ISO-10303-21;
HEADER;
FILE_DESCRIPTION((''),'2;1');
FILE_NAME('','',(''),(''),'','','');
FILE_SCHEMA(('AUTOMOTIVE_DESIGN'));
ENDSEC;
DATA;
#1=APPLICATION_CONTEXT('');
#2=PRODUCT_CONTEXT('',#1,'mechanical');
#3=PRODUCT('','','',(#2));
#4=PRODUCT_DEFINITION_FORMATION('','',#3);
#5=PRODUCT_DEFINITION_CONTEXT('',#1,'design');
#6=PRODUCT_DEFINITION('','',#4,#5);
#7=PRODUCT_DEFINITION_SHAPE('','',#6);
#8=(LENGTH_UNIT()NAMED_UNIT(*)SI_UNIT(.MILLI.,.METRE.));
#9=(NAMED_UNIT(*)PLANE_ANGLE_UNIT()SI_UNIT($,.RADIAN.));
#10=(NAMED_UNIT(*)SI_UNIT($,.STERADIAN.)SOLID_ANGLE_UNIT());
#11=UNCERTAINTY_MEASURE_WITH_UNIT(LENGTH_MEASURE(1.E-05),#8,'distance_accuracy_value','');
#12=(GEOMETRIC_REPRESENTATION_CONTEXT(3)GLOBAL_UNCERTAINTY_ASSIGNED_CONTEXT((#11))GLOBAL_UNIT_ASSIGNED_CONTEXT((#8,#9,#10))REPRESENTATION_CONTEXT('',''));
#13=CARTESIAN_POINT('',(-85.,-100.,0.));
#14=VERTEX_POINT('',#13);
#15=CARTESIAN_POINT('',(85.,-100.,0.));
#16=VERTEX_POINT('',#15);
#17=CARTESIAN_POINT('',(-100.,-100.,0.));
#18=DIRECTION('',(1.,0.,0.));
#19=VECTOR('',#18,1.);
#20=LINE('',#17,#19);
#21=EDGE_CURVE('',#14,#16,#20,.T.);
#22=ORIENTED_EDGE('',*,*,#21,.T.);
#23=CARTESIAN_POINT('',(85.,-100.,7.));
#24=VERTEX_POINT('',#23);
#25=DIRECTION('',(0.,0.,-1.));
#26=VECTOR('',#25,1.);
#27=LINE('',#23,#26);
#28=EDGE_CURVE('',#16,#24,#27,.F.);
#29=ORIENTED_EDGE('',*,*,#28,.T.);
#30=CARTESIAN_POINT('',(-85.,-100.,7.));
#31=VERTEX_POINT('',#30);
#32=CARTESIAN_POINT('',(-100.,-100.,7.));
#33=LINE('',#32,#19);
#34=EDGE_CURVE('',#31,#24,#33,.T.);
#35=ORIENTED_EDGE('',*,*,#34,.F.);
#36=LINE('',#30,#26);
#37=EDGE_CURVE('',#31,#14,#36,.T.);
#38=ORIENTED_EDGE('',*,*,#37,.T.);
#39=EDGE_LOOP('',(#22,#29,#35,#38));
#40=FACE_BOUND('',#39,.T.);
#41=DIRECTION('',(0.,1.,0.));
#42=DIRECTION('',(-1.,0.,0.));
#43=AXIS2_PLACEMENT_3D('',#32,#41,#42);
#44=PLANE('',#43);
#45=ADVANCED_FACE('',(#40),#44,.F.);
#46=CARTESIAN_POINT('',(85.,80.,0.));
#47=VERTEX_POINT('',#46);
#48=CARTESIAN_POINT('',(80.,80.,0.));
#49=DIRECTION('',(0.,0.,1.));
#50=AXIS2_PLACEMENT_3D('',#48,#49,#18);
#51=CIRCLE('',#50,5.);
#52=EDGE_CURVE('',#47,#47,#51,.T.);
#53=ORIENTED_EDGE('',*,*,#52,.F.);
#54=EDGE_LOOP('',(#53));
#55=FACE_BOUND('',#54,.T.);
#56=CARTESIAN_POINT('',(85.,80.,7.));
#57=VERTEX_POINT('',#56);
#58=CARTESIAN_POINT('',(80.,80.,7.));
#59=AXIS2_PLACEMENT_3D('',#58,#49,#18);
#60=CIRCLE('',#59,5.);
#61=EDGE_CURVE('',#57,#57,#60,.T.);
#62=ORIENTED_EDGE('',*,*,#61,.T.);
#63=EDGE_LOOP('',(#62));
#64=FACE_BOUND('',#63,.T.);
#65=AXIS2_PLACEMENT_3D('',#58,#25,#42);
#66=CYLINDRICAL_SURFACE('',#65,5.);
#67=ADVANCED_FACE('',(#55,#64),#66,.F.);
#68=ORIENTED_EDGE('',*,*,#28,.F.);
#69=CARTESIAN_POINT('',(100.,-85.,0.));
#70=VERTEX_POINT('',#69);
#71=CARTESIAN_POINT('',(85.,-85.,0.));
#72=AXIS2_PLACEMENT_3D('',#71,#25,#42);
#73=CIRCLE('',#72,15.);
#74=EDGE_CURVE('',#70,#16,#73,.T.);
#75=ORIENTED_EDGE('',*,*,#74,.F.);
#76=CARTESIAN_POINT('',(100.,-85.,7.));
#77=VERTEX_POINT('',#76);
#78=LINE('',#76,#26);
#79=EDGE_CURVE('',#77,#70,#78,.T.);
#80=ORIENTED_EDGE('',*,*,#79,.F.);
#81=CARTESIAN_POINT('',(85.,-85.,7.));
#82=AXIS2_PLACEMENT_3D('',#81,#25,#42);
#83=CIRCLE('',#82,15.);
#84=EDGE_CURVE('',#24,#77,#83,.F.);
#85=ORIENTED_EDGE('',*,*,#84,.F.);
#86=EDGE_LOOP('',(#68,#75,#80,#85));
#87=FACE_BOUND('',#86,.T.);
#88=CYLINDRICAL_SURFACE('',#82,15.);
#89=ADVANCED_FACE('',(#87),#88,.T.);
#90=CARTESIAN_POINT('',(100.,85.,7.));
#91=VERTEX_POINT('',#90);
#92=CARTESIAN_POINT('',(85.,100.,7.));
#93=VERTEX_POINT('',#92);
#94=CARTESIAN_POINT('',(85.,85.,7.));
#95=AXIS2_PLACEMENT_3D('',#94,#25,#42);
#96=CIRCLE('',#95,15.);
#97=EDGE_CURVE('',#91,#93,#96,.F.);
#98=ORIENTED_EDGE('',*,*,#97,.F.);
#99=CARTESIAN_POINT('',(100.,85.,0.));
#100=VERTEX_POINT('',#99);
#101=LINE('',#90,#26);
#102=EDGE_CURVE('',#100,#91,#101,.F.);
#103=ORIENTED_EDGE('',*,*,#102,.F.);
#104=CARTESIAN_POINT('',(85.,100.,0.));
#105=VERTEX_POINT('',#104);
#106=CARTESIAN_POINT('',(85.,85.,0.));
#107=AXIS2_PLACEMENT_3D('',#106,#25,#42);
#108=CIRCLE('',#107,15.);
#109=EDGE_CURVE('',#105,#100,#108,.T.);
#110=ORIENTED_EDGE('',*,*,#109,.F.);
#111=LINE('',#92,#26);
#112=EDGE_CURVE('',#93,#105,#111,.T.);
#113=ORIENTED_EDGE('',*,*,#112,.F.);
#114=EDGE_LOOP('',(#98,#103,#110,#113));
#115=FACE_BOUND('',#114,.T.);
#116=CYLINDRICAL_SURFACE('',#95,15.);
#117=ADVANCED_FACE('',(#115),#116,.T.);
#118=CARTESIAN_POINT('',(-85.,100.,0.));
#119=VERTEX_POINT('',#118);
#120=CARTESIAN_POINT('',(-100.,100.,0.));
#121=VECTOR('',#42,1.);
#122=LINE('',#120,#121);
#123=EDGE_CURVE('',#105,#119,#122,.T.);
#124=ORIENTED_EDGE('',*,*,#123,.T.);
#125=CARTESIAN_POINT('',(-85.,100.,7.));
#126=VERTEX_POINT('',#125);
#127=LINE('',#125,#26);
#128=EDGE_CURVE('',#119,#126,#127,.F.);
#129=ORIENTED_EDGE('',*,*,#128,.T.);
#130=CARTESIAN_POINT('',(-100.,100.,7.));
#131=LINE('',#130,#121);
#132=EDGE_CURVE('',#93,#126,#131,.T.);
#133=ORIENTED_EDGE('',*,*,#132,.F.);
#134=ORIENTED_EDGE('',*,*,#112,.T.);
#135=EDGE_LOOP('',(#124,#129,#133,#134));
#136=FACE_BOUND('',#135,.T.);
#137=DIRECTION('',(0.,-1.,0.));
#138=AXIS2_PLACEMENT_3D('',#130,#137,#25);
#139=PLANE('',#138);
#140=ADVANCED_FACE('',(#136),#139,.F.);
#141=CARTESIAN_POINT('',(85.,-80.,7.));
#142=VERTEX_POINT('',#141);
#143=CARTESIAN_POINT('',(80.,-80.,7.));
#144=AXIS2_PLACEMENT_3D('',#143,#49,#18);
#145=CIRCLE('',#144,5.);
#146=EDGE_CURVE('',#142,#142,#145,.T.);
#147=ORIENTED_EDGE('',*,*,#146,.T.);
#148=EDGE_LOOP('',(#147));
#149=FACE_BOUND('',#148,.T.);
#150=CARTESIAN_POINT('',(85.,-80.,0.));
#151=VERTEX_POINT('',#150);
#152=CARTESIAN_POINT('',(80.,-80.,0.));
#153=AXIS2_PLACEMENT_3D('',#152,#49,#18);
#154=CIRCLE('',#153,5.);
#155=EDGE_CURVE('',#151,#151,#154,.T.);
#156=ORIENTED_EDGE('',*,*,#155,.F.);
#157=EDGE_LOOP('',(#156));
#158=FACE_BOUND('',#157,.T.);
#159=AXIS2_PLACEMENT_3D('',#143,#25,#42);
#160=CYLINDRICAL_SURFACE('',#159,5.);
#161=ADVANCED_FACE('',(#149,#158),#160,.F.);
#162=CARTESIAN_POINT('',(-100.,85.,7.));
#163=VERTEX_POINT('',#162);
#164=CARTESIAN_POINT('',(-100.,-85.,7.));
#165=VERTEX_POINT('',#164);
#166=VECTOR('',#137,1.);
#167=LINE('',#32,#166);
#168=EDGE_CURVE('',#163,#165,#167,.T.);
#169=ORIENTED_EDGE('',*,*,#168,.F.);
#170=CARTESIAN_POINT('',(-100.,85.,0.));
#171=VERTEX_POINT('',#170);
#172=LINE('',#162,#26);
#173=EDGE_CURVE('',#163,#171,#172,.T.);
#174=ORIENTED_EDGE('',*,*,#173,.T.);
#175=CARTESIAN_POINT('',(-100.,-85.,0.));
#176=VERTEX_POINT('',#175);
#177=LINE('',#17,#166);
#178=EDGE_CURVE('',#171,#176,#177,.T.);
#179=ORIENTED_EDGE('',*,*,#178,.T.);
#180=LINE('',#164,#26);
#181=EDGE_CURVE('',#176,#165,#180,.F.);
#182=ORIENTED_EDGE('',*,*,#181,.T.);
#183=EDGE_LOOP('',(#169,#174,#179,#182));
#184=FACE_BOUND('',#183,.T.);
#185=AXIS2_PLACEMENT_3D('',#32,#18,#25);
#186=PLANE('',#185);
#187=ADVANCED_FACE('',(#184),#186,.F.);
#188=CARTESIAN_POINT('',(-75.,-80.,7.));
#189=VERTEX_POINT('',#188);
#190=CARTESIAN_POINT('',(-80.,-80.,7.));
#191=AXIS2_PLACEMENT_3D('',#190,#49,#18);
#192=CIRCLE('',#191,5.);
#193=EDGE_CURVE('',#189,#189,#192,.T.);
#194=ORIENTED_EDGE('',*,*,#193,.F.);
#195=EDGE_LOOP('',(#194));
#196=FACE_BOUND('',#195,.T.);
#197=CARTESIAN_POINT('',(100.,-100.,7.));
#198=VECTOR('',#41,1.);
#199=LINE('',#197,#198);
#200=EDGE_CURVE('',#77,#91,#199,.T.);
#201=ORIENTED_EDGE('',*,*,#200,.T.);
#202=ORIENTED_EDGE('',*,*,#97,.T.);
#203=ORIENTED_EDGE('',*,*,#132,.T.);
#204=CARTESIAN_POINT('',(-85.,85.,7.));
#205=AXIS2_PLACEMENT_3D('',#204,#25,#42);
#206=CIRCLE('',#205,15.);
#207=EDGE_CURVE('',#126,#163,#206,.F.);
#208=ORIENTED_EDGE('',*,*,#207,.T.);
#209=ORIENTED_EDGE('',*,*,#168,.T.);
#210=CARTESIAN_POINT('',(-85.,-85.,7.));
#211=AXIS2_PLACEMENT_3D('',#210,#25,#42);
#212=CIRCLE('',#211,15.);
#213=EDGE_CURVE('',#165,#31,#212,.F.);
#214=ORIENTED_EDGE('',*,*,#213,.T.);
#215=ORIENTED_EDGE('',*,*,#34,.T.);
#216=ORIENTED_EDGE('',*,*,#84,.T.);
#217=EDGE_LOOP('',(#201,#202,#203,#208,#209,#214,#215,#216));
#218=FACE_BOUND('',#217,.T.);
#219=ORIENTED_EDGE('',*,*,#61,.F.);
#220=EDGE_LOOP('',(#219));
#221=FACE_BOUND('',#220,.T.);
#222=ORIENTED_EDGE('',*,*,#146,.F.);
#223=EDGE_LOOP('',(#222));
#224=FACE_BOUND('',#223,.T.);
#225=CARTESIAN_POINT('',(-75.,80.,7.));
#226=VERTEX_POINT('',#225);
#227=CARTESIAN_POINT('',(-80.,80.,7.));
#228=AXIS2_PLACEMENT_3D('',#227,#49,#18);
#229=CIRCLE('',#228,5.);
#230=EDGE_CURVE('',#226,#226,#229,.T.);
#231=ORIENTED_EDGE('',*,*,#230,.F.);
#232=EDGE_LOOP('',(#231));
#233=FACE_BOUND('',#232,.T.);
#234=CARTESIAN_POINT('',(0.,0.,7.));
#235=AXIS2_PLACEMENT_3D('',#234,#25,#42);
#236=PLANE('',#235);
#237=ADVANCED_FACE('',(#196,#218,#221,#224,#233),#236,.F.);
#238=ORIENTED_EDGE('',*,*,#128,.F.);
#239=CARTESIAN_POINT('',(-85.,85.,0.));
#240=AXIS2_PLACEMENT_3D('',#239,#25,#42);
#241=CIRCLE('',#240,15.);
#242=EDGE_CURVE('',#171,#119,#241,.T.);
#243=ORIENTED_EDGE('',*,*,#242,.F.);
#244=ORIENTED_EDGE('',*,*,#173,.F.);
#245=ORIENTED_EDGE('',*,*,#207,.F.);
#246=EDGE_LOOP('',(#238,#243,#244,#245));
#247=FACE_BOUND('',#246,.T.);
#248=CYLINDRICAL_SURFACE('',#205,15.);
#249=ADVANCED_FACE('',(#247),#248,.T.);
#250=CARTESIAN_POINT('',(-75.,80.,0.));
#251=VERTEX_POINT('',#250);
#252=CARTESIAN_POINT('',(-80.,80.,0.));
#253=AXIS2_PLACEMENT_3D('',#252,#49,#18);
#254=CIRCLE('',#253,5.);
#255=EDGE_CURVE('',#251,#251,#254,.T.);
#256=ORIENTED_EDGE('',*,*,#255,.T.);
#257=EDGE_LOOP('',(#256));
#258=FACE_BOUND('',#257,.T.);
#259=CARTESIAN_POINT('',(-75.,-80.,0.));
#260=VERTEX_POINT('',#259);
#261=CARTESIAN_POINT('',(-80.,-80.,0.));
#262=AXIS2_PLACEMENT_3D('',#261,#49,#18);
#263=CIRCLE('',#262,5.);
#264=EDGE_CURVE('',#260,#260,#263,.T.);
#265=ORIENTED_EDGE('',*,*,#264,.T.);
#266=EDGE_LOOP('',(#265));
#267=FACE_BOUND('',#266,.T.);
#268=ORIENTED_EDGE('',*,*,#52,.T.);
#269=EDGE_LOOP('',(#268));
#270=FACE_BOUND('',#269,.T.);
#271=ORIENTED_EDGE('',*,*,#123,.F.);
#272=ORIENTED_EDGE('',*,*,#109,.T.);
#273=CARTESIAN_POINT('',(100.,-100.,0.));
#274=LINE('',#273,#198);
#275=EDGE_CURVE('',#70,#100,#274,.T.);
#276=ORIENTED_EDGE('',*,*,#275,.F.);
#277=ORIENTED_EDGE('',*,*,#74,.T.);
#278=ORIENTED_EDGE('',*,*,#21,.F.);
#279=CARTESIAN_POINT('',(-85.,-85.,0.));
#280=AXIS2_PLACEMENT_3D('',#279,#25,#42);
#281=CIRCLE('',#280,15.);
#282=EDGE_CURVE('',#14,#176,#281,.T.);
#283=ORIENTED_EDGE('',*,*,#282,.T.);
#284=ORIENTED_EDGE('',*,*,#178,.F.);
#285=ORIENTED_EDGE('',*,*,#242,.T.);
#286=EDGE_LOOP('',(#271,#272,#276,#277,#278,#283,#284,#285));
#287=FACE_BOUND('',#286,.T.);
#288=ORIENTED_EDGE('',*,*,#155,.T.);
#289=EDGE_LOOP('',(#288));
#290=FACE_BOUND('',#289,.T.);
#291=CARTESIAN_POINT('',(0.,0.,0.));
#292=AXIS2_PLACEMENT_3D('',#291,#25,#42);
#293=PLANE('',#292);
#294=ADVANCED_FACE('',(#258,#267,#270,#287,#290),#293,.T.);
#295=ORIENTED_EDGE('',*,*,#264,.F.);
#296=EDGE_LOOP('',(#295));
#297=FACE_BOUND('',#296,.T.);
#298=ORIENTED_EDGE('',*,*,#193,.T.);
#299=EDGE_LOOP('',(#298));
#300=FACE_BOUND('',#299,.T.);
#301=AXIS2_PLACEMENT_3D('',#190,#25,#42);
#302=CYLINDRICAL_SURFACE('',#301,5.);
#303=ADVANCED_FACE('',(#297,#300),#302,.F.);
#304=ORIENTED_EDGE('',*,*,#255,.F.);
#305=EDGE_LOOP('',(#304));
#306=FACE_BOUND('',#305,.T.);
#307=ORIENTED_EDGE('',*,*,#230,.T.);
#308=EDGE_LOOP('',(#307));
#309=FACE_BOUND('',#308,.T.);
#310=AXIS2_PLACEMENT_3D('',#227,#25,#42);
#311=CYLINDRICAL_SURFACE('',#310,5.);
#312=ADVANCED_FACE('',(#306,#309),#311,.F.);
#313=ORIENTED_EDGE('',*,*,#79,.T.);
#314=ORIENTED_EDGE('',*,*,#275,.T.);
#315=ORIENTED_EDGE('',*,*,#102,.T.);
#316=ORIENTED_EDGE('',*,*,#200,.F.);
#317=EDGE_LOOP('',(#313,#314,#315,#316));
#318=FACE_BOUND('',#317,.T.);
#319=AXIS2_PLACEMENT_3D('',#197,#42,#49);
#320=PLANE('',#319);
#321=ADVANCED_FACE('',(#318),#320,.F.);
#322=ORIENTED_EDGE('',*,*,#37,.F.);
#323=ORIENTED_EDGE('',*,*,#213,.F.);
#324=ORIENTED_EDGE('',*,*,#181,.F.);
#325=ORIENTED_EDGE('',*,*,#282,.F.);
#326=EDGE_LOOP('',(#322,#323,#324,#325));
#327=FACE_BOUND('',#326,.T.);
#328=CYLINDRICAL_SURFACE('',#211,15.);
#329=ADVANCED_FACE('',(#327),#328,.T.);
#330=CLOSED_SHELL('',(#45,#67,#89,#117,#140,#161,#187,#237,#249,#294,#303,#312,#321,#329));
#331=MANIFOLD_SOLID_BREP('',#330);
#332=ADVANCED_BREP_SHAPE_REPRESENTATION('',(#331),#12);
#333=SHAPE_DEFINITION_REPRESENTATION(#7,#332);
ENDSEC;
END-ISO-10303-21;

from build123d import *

# Parameters (mm, degrees)
ESQUISSE3_W        = 200
ESQUISSE3_H        = 200
ESQUISSE3_R        = 5
BOSS_EXTRU_2_DEPTH = 7
CONG_1_R           = 15


with BuildPart() as part:
    # Esquisse3 → Boss.-Extru.2 (new body)
    with BuildSketch(Plane.XY):
        Rectangle(ESQUISSE3_W, ESQUISSE3_H)
        with Locations((80, 80)):
            Circle(ESQUISSE3_R, mode=Mode.SUBTRACT)
        with Locations((80, -80)):
            Circle(ESQUISSE3_R, mode=Mode.SUBTRACT)
        with Locations((-80, -80)):
            Circle(ESQUISSE3_R, mode=Mode.SUBTRACT)
        with Locations((-80, 80)):
            Circle(ESQUISSE3_R, mode=Mode.SUBTRACT)
    extrude(amount=BOSS_EXTRU_2_DEPTH)

    # Congé1
    cong_1_edges = [part.edges().sort_by_distance(p)[0] for p in [
        (-100, 100, 3.5),
        (100, 100, 3.5),
        (100, -100, 3.5),
        (-100, -100, 3.5),
    ]]
    fillet(cong_1_edges, radius=CONG_1_R)


solid = part.part
